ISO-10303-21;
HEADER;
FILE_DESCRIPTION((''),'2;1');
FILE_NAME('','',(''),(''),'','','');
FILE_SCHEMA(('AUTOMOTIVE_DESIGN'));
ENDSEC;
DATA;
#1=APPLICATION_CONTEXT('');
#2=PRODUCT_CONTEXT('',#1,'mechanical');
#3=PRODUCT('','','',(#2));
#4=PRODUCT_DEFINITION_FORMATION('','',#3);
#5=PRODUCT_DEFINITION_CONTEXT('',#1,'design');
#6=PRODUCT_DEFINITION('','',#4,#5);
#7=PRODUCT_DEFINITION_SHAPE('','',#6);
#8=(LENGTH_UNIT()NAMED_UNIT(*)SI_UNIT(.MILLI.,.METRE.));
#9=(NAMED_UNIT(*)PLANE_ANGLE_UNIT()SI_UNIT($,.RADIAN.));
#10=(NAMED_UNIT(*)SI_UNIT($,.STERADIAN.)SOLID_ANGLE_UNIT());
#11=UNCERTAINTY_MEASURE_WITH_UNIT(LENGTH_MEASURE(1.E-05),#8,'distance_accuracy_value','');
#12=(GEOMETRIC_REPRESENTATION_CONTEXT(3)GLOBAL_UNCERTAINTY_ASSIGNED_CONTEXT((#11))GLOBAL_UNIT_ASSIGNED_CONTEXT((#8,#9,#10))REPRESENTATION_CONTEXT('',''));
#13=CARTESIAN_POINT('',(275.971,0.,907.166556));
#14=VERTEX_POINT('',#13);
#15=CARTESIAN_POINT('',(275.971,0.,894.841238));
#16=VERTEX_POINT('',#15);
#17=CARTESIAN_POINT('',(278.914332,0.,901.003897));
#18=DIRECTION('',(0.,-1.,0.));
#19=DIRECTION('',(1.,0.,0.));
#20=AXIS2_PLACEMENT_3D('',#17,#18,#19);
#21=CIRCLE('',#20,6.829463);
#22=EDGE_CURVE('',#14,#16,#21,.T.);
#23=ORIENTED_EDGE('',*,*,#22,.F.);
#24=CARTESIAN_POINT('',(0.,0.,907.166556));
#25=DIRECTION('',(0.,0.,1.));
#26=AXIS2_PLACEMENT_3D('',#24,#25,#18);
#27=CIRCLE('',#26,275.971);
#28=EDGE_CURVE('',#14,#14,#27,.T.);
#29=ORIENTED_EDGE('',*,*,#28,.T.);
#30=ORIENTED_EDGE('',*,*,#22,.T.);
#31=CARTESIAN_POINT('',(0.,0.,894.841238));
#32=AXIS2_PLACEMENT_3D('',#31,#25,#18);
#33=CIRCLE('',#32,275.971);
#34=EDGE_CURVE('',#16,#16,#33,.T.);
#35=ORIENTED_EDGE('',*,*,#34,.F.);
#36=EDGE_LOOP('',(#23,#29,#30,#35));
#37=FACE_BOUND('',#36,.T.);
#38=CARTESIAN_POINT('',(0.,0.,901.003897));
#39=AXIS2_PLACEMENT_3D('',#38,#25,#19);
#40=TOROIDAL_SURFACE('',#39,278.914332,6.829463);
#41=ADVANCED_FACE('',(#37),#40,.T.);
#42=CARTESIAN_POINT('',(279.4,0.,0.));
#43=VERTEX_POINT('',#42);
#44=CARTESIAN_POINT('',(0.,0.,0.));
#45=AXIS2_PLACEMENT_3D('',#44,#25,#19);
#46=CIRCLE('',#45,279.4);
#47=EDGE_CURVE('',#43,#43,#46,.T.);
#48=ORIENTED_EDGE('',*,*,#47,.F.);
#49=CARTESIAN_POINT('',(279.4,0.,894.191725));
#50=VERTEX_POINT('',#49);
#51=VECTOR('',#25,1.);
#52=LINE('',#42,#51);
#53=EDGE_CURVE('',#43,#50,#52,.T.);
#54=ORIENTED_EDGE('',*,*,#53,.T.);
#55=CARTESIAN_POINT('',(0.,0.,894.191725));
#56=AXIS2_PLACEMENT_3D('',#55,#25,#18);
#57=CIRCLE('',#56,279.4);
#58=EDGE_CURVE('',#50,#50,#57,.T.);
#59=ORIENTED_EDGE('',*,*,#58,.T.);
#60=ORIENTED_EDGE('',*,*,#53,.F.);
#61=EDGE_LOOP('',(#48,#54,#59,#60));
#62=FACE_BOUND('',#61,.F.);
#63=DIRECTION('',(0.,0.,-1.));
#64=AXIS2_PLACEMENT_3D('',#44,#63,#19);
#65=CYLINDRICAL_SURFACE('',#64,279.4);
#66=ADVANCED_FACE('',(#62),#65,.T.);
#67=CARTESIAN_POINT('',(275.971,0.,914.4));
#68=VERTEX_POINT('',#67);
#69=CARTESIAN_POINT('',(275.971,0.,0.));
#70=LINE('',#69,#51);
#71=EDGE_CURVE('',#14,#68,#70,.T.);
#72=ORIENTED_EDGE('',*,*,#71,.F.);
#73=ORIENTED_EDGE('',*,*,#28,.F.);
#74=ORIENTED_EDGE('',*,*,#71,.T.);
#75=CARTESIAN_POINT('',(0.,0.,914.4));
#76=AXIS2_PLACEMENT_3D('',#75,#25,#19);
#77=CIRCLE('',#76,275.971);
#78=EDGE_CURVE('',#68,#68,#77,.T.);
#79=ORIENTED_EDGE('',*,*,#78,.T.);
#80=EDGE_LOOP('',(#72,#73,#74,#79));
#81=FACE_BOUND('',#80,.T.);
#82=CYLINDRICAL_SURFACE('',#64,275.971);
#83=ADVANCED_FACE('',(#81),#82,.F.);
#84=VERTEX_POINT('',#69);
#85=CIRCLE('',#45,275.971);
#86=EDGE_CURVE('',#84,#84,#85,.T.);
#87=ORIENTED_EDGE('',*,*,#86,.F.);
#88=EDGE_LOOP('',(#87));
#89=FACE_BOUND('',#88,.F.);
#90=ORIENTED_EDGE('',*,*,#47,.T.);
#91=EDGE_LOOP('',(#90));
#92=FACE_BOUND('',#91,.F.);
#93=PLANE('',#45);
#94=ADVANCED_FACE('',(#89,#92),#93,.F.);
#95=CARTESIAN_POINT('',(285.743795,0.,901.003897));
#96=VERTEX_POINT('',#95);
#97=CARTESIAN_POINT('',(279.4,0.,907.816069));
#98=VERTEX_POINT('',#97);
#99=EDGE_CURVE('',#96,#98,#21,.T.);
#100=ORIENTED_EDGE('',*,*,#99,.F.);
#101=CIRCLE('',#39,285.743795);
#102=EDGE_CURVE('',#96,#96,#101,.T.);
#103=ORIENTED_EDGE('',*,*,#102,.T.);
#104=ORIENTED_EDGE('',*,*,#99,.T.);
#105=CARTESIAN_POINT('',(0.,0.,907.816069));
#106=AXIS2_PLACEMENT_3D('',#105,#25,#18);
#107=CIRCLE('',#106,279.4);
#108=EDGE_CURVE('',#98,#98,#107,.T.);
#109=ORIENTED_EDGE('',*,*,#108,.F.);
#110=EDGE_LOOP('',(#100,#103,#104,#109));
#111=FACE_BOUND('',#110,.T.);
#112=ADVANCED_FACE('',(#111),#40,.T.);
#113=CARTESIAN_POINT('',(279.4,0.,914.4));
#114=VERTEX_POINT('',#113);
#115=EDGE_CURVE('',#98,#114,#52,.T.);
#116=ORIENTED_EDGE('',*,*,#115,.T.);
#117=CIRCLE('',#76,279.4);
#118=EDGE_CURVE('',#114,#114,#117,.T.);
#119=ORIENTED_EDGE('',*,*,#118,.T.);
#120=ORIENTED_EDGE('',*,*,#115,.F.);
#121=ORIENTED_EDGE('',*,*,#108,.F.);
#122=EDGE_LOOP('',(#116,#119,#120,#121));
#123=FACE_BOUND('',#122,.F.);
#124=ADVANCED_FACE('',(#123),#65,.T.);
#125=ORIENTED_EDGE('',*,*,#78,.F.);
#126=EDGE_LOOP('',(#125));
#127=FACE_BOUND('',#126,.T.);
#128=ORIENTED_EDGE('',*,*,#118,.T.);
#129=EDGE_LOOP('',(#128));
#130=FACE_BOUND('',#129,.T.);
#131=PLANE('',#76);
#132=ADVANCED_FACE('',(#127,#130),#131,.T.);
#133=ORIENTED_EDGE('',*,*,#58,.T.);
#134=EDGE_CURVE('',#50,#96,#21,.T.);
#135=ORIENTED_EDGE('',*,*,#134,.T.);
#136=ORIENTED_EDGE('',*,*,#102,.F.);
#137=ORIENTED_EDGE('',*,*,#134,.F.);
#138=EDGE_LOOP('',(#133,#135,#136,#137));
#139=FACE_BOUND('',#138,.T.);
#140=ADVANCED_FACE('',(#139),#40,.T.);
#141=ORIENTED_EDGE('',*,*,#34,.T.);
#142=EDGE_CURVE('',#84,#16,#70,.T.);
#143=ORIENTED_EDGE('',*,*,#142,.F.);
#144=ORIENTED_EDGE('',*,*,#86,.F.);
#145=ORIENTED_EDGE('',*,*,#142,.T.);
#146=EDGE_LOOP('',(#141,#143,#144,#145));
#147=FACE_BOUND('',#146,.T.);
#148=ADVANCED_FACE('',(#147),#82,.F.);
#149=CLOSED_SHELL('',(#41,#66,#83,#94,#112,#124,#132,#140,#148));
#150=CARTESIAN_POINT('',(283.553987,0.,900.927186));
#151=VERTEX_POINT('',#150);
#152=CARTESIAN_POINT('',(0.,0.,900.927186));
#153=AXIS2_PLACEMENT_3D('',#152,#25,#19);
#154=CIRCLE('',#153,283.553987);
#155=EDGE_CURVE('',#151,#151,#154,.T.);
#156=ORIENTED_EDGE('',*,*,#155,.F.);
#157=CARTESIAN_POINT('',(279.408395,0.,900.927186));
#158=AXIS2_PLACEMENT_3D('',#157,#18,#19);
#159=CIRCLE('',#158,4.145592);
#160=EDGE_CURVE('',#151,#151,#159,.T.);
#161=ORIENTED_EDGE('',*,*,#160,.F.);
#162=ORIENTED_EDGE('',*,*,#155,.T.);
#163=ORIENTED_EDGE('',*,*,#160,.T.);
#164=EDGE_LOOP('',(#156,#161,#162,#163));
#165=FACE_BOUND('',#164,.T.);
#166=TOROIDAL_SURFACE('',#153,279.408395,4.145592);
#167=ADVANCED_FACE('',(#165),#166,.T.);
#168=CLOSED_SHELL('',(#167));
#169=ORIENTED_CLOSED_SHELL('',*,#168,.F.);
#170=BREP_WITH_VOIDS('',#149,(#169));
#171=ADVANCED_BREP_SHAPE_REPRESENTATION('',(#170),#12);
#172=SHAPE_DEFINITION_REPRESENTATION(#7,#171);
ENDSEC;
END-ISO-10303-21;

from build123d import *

# Parameters (mm, degrees)
F0_R     = 279.4
F0_R_2   = 275.971
F1_DEPTH = 914.4
F2_R     = 6.829463
F4_R     = 4.145592


with BuildPart() as f1:
    # F0 (on Top) → F1 (new body)
    with BuildSketch(Plane.XY):
        Circle(F0_R)
        Circle(F0_R_2, mode=Mode.SUBTRACT)
    extrude(amount=F1_DEPTH)

    # F2 (on Front) → F3 (revolve)
    with BuildSketch(Plane.XZ):
        with Locations((278.914332, 901.003897)):
            Circle(F2_R)
    revolve(axis=Axis((0, 0, 914.4), (0, 0, 1)))

    # F4 (on Front) → F5 (revolve, cut)
    with BuildSketch(Plane.XZ):
        with Locations((279.408395, 900.927186)):
            Circle(F4_R)
    revolve(axis=Axis((0, 0, 914.4), (0, 0, 1)), mode=Mode.SUBTRACT)


solid = f1.part
